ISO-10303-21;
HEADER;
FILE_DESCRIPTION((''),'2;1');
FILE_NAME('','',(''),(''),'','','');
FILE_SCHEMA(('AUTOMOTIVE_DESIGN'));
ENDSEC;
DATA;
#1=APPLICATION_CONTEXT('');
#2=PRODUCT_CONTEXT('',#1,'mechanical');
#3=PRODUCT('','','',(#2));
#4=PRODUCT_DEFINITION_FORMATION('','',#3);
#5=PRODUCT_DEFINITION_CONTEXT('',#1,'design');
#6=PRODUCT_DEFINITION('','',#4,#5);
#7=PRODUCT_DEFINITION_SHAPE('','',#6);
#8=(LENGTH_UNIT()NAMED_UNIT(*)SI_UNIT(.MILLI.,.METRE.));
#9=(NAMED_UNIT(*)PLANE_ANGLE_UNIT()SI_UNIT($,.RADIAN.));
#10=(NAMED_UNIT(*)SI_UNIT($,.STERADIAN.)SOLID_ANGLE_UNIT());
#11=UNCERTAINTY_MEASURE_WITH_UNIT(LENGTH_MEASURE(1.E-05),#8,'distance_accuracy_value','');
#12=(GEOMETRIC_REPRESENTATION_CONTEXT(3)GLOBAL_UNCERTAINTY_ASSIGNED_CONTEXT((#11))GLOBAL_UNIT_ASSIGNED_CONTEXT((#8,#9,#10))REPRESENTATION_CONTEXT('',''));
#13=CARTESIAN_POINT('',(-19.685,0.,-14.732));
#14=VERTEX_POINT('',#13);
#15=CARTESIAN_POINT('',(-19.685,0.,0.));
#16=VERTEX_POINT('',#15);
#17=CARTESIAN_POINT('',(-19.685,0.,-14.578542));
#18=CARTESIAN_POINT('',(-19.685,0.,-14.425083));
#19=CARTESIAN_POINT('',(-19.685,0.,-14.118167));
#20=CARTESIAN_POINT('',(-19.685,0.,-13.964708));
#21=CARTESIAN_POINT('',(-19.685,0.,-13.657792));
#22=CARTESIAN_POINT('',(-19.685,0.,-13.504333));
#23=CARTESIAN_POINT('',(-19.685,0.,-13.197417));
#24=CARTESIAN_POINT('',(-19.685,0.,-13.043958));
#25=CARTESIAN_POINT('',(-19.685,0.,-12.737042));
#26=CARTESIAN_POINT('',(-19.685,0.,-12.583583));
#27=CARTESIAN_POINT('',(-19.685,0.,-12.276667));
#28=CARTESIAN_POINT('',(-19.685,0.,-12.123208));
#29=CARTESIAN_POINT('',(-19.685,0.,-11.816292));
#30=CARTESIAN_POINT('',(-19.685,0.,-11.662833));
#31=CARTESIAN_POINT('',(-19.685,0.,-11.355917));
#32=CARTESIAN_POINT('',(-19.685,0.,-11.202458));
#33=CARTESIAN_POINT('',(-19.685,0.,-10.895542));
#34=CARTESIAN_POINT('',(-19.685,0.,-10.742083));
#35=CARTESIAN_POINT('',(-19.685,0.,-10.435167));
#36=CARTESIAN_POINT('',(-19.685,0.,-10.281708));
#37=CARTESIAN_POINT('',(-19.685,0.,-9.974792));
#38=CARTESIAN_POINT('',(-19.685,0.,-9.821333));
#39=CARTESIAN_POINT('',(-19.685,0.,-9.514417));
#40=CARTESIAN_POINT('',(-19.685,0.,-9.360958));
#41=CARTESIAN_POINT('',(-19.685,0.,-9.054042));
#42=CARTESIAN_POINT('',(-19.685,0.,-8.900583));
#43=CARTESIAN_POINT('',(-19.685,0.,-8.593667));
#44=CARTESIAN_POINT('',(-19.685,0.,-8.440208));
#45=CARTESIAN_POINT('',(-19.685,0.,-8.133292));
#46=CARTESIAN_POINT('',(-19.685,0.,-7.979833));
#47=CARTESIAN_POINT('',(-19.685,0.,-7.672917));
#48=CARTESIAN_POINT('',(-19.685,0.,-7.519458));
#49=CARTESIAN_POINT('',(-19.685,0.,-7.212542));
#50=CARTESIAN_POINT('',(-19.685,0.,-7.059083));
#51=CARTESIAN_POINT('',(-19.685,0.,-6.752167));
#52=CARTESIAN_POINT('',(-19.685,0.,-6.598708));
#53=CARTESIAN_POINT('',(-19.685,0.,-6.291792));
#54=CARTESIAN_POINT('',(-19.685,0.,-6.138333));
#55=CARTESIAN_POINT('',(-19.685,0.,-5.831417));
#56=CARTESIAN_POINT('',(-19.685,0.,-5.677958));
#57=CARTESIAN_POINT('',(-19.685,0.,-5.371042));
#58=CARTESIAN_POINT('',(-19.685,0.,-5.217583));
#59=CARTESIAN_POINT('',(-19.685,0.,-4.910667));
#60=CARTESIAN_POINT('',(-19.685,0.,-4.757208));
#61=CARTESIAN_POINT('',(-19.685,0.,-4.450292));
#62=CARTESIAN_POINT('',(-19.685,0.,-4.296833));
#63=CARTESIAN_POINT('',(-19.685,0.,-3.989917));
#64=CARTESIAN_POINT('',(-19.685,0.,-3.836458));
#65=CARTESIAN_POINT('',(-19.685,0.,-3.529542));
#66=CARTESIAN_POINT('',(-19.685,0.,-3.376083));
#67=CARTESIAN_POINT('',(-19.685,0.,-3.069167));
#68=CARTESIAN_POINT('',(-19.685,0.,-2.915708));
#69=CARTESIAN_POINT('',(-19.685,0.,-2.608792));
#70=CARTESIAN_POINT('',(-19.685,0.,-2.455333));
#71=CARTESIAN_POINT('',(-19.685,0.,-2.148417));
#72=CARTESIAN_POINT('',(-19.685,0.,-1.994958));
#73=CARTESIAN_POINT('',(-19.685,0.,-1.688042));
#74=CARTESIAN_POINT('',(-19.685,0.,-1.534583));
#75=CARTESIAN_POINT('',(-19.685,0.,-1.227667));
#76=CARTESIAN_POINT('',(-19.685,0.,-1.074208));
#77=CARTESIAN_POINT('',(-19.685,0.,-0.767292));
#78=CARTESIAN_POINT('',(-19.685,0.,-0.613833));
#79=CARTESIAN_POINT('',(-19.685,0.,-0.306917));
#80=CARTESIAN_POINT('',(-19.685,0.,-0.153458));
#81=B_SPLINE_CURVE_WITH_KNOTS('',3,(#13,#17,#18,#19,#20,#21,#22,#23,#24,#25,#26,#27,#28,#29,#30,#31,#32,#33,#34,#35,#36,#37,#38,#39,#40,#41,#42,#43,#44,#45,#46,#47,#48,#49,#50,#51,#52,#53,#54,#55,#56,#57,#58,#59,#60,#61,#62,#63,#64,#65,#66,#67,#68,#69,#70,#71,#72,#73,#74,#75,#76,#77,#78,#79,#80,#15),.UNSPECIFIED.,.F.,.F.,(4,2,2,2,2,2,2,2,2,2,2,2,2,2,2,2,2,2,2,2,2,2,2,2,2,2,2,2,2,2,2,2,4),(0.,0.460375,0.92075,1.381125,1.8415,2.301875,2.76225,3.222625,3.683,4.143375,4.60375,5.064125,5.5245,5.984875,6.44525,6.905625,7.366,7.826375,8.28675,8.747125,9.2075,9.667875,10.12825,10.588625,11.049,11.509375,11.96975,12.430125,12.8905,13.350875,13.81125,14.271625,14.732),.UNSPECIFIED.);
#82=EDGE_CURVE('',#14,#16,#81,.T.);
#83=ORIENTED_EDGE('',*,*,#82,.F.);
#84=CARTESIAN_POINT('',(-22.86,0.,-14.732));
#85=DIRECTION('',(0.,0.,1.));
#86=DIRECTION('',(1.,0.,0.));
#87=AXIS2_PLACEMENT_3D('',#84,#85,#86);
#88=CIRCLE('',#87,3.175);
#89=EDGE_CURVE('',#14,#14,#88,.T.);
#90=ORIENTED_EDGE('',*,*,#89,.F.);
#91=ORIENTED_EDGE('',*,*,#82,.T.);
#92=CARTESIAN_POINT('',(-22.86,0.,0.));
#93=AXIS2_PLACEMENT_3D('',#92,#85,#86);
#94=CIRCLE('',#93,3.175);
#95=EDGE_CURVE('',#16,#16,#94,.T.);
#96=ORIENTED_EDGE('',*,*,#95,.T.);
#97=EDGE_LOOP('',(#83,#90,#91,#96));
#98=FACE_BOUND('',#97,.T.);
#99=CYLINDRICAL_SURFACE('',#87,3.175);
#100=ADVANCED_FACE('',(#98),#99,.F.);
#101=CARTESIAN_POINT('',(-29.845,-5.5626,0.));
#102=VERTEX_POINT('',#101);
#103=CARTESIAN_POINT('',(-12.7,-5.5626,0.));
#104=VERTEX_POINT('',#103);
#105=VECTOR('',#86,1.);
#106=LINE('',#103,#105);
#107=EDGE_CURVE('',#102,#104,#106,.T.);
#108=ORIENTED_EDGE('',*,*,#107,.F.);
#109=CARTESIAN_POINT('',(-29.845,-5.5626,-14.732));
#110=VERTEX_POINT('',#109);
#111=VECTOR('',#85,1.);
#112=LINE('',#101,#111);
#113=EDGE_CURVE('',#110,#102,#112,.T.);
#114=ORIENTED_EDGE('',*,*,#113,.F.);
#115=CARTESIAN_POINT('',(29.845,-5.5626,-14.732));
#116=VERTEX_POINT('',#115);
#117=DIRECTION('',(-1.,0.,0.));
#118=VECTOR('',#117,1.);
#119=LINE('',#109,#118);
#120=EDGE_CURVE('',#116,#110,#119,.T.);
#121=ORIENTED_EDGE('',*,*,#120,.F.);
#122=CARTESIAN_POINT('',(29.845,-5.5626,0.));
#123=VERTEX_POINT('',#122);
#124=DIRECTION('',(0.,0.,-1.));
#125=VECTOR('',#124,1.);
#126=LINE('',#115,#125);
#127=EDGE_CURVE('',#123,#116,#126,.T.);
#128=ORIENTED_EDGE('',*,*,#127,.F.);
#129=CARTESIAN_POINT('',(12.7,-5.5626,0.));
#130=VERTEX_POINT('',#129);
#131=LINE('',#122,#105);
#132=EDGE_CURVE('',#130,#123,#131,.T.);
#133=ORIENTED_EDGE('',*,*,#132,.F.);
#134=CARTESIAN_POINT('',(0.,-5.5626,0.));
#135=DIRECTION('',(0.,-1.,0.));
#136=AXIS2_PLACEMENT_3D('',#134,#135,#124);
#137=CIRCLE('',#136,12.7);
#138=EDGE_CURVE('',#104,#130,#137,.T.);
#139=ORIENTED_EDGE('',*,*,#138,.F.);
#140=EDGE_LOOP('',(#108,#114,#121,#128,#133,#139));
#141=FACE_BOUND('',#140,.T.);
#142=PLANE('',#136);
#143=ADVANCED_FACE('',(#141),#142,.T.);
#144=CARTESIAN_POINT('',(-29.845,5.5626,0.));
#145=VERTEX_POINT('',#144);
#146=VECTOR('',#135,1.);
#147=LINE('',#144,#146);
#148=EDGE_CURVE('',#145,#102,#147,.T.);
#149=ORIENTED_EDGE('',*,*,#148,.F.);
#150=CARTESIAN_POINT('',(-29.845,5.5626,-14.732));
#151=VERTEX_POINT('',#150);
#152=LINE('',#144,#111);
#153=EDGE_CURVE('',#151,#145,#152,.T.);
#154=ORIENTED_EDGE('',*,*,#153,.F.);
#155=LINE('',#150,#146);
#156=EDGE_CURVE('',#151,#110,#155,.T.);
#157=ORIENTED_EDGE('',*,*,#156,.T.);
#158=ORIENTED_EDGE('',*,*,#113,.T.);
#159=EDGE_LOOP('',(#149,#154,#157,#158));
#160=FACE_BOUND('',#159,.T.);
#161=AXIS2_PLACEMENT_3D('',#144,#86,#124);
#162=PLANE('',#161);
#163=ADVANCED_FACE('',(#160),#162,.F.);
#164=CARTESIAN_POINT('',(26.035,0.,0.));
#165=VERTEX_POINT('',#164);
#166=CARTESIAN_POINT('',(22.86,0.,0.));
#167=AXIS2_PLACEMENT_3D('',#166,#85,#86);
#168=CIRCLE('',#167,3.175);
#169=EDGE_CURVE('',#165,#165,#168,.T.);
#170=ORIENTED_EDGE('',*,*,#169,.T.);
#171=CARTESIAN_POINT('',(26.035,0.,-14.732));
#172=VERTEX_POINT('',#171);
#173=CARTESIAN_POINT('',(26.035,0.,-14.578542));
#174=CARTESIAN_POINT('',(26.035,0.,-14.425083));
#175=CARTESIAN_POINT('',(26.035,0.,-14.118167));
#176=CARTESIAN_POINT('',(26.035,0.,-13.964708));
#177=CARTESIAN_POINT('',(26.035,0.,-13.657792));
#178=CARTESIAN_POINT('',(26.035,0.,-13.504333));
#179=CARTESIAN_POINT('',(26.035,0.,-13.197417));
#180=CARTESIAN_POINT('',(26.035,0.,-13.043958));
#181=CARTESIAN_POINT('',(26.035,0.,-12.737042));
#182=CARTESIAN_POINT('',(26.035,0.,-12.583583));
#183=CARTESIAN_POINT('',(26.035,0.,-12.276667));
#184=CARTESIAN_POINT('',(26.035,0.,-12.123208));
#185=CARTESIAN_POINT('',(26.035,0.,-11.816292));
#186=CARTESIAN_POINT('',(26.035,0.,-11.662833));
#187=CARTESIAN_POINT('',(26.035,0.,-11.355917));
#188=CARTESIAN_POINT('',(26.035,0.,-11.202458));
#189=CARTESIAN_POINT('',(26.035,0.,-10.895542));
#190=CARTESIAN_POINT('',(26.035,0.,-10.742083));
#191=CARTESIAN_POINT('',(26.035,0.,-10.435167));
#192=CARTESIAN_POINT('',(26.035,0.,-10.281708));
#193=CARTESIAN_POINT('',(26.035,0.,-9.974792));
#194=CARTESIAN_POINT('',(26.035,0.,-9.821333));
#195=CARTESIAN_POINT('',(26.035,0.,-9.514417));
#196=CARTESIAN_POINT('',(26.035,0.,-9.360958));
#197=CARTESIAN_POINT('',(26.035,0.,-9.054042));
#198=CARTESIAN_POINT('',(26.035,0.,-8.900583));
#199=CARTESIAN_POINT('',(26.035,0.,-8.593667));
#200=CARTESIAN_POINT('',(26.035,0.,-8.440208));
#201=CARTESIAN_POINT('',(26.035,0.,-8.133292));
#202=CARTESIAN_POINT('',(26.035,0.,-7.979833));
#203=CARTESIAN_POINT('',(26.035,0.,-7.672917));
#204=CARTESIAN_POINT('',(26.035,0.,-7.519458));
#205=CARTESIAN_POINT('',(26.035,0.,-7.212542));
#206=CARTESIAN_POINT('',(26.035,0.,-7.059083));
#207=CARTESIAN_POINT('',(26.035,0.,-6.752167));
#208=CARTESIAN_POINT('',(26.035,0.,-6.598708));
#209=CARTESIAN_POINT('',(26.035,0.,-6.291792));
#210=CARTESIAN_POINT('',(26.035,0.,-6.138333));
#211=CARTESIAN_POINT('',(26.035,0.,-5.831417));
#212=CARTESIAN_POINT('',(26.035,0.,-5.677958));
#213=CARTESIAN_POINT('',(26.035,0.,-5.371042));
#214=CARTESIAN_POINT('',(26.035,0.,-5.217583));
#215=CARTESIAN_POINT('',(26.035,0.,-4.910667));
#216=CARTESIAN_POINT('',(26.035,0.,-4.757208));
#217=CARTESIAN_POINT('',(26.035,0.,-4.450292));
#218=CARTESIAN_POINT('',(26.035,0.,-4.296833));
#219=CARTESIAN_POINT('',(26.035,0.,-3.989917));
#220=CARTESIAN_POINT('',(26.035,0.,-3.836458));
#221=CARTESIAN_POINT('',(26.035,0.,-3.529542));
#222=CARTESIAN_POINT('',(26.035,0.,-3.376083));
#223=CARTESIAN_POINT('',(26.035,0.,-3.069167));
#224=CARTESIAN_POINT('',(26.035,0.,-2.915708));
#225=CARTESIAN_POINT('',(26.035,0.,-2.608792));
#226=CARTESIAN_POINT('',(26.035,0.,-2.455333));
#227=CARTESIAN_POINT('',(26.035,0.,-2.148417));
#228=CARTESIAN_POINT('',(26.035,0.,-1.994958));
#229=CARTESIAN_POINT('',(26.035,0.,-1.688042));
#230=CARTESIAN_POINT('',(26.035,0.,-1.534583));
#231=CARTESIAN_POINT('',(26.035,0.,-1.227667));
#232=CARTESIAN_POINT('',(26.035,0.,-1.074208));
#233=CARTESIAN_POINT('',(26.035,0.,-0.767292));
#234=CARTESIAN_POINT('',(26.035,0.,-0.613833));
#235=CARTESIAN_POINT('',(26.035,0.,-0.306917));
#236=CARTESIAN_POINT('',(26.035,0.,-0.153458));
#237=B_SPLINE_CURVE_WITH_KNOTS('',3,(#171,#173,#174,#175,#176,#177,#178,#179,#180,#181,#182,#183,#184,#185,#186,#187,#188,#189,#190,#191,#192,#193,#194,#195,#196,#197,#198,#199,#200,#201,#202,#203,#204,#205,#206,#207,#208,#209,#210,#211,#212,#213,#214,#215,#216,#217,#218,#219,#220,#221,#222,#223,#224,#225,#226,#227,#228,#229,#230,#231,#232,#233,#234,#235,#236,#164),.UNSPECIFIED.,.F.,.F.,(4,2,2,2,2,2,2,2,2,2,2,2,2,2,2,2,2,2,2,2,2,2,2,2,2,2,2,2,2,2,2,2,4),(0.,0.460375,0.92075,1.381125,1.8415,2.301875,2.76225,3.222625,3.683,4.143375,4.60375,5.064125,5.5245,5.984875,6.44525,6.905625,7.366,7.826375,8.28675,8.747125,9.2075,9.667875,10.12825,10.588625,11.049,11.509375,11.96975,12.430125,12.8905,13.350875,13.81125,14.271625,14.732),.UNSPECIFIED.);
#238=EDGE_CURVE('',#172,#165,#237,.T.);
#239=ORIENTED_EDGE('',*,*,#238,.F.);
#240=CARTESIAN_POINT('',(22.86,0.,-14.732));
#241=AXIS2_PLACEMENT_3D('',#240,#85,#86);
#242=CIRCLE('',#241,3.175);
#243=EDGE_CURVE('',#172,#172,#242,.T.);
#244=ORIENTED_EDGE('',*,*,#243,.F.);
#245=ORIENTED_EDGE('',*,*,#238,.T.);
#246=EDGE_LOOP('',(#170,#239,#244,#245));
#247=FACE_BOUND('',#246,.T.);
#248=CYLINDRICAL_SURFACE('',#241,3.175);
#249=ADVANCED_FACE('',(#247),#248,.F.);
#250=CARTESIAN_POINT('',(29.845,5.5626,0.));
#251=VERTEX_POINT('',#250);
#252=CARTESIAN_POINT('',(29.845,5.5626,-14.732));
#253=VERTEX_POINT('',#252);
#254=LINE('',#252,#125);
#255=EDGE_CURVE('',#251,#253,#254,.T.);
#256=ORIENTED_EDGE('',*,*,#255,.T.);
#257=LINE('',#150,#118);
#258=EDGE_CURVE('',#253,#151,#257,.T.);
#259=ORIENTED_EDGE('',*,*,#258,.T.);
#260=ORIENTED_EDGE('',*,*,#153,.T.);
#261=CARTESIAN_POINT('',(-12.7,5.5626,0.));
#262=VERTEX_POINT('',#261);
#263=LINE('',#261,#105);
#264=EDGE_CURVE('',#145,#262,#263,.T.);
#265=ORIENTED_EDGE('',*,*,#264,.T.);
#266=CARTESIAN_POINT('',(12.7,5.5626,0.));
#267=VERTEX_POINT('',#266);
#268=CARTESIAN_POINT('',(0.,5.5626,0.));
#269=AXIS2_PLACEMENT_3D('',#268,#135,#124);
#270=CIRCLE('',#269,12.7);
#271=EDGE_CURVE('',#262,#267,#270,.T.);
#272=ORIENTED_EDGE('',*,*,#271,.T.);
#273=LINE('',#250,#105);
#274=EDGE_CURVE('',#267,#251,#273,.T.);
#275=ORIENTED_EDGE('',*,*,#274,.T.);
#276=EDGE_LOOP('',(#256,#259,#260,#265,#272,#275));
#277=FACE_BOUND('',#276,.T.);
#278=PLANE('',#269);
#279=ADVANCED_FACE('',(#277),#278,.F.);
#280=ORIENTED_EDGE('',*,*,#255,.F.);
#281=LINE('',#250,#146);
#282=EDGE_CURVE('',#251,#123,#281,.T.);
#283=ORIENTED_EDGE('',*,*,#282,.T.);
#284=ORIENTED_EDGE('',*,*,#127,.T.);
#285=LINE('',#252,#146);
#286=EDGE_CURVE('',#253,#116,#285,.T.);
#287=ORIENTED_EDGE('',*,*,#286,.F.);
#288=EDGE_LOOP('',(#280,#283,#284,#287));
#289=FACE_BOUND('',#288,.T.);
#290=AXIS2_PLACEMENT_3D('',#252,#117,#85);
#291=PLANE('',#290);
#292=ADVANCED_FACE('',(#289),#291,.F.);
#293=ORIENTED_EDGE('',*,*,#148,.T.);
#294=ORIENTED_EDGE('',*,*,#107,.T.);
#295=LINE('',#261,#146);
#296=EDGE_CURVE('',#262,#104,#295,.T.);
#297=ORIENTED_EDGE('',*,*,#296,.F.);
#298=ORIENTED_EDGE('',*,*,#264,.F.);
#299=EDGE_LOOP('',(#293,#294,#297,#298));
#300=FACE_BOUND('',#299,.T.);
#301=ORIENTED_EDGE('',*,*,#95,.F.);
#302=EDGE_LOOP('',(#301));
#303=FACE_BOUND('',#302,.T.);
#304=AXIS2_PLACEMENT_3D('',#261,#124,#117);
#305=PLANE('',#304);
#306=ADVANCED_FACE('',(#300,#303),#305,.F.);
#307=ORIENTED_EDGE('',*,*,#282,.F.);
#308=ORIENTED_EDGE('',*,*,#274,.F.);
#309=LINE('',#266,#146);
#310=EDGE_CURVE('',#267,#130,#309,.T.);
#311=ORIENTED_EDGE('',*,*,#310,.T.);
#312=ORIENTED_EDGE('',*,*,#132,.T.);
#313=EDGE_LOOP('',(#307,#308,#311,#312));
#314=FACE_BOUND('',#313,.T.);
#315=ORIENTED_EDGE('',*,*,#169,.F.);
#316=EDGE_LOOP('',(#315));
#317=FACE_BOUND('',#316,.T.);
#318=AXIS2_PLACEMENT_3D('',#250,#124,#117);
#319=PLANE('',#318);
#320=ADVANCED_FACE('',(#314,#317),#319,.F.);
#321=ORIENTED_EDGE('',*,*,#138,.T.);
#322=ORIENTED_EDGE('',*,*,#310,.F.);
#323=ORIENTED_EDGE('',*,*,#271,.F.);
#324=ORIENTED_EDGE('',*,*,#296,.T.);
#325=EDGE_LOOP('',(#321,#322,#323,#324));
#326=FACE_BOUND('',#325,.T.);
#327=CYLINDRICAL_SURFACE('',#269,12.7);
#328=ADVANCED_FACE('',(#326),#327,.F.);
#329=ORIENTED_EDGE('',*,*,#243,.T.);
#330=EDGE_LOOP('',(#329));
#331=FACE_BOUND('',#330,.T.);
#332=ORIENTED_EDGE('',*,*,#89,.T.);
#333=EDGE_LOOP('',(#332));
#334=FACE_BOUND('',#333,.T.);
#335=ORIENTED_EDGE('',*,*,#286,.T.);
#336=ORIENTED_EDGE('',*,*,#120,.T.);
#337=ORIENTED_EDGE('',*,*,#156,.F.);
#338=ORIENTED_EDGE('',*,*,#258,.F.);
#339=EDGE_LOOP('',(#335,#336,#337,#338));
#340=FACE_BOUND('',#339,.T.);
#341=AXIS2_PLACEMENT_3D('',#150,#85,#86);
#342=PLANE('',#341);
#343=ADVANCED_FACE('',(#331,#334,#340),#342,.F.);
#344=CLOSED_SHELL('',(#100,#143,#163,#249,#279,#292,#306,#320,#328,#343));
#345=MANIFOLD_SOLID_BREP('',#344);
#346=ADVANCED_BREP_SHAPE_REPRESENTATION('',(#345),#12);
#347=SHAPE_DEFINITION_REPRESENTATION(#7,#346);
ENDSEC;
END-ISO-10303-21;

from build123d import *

# Parameters (mm, degrees)
BOSS_EXTRUDE1_DEPTH = 5.5626
SKETCH2_R           = 3.175
CUT_EXTRUDE1_DEPTH  = 34.744605017


with BuildPart() as part:
    # Sketch1 → Boss-Extrude1 (new, symmetric)
    with BuildSketch(Plane(origin=(0, 0, 0), x_dir=(1, 0, 0), z_dir=(0, 1, 0))):
        with BuildLine():
            Line((-12.7, 0), (-29.845, 0))
            Line((-29.845, 0), (-29.845, 14.732))
            Line((-29.845, 14.732), (29.845, 14.732))
            Line((29.845, 14.732), (29.845, 0))
            Line((29.845, 0), (12.7, 0))
            ThreePointArc((12.7, 0), (0, 12.7), (-12.7, 0))
        make_face()
    extrude(amount=BOSS_EXTRUDE1_DEPTH, both=True)

    # Sketch2 → Cut-Extrude1 (cut, through all)
    with BuildSketch(Plane.XY):
        with Locations((-22.86, 0)):
            Circle(SKETCH2_R)
        with Locations((22.86, 0)):
            Circle(SKETCH2_R)
    extrude(amount=-CUT_EXTRUDE1_DEPTH, mode=Mode.SUBTRACT)


solid = part.part
